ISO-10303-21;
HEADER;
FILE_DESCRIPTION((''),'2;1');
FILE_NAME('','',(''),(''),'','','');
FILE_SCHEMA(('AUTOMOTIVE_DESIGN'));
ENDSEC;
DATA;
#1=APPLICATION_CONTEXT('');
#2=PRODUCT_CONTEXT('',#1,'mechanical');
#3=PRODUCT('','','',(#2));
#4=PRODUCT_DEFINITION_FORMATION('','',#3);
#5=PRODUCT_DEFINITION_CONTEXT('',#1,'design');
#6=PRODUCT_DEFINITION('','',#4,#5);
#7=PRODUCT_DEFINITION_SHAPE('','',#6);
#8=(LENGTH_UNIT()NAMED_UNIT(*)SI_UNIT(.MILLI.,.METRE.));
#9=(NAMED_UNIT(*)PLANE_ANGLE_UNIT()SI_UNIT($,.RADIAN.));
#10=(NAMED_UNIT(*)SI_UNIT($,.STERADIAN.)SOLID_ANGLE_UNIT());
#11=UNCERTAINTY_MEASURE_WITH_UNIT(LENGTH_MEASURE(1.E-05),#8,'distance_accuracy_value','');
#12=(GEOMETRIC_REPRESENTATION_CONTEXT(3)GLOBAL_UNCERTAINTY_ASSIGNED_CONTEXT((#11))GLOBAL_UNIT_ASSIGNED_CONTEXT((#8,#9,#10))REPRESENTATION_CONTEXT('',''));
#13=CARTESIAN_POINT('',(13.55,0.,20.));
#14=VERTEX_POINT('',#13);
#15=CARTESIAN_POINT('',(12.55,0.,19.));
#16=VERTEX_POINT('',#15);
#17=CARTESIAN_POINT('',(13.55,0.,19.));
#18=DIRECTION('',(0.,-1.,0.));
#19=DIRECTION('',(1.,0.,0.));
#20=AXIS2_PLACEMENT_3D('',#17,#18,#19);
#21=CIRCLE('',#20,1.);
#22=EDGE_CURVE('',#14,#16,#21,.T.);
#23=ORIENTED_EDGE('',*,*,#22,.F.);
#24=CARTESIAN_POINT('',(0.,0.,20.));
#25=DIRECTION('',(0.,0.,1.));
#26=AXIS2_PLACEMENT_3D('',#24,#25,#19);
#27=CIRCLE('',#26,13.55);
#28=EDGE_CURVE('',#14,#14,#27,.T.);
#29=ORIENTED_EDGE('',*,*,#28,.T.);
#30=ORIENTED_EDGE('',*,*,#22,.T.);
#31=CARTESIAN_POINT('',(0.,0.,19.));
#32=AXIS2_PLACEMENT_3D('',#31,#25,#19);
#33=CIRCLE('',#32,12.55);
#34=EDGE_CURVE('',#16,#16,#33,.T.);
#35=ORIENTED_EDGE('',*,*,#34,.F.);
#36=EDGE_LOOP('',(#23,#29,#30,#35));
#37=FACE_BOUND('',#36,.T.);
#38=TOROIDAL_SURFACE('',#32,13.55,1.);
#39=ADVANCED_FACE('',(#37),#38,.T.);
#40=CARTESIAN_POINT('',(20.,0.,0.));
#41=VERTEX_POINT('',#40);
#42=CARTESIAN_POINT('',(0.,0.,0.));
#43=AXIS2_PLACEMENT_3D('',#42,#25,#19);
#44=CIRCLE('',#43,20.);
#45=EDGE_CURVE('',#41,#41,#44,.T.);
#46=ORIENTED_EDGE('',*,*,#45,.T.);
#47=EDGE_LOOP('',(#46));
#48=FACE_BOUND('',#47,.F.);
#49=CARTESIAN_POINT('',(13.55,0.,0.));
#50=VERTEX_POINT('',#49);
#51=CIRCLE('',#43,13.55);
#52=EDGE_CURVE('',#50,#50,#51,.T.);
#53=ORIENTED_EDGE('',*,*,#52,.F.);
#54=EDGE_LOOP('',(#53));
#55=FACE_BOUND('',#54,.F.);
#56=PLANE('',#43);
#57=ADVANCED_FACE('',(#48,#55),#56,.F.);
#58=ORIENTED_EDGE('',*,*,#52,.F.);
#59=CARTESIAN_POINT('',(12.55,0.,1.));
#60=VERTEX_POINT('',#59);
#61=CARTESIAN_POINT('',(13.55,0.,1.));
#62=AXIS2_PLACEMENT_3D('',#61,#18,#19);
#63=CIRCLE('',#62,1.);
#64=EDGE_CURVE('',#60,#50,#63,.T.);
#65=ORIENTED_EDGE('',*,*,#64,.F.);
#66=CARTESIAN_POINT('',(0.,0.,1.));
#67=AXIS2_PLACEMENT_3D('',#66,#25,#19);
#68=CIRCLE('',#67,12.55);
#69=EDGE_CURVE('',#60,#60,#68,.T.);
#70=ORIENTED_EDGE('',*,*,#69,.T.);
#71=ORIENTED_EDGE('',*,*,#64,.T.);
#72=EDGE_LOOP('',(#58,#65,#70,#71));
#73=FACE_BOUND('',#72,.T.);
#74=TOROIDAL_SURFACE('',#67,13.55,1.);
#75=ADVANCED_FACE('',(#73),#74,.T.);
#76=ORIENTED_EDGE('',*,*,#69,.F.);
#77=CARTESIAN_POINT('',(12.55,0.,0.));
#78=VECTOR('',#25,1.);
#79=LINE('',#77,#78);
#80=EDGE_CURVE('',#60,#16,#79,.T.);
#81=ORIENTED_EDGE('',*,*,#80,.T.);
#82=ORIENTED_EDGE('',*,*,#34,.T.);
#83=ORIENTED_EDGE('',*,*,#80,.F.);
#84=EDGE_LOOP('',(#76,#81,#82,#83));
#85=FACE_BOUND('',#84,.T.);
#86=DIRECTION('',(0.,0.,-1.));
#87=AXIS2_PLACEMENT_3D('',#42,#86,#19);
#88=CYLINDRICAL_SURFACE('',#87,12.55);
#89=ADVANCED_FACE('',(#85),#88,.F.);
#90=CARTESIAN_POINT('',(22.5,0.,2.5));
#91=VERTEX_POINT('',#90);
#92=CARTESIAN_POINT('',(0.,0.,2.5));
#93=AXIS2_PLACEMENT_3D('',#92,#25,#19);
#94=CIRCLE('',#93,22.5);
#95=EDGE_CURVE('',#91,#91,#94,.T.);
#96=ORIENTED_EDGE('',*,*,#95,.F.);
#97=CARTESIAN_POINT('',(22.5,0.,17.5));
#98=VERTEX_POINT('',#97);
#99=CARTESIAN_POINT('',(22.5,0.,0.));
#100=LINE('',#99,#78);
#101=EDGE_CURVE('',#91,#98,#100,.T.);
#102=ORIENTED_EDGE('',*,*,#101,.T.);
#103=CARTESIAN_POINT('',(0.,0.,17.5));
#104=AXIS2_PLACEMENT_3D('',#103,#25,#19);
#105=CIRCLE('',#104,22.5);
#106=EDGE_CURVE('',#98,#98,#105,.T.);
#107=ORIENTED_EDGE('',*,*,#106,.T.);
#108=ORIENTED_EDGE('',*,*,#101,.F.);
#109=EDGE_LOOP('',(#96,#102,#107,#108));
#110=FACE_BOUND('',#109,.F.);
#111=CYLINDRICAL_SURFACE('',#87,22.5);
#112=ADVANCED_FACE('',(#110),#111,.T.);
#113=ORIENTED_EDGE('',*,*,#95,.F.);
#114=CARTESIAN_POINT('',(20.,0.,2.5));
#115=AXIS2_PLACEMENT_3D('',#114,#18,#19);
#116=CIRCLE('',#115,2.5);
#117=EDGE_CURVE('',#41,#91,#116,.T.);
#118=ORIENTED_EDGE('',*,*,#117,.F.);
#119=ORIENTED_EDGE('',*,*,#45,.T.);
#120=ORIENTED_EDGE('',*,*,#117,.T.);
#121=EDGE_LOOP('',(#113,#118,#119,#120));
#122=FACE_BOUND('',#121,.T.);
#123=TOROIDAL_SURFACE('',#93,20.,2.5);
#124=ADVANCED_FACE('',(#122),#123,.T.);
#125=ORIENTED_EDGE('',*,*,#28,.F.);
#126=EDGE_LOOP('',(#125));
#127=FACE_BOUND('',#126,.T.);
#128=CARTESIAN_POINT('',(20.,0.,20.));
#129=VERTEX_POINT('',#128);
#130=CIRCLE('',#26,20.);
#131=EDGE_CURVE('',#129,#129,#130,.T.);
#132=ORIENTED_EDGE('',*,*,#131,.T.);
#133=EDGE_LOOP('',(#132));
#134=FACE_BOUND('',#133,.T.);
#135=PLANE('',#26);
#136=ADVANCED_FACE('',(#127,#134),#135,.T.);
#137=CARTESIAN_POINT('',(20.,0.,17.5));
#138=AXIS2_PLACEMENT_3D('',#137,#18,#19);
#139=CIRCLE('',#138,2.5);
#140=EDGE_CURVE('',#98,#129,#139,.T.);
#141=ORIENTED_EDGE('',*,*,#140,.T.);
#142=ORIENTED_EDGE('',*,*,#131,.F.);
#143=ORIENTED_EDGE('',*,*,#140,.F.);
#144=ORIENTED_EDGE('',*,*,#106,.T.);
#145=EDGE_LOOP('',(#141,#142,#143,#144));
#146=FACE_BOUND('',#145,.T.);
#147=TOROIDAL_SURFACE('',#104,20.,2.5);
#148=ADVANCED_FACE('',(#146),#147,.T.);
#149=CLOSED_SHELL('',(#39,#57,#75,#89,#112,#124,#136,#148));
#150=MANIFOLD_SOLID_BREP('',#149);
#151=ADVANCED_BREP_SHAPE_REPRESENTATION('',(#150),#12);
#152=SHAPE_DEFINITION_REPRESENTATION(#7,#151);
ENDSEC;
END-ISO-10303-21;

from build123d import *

# Parameters (mm, degrees)
F0_R     = 22.5
F0_R_2   = 12.55
F1_DEPTH = 20
F2_R     = 2.5
F3_R     = 1
F4_R     = 1
F5_R     = 2.5


with BuildPart() as f1:
    # F0 (on Top) → F1 (new body)
    with BuildSketch(Plane.XY):
        Circle(F0_R)
        Circle(F0_R_2, mode=Mode.SUBTRACT)
    extrude(amount=F1_DEPTH)

    # F2
    f2_edges = [f1.edges().sort_by_distance(p)[0] for p in [
        (-22.5, 0, 20),
    ]]
    fillet(f2_edges, radius=F2_R)

    # F3
    f3_edges = [f1.edges().sort_by_distance(p)[0] for p in [
        (-12.55, 0, 20),
    ]]
    fillet(f3_edges, radius=F3_R)

    # F4
    f4_edges = [f1.edges().sort_by_distance(p)[0] for p in [
        (-12.55, 0, 0),
    ]]
    fillet(f4_edges, radius=F4_R)

    # F5
    f5_edges = [f1.edges().sort_by_distance(p)[0] for p in [
        (-22.5, 0, 0),
    ]]
    fillet(f5_edges, radius=F5_R)


solid = f1.part
